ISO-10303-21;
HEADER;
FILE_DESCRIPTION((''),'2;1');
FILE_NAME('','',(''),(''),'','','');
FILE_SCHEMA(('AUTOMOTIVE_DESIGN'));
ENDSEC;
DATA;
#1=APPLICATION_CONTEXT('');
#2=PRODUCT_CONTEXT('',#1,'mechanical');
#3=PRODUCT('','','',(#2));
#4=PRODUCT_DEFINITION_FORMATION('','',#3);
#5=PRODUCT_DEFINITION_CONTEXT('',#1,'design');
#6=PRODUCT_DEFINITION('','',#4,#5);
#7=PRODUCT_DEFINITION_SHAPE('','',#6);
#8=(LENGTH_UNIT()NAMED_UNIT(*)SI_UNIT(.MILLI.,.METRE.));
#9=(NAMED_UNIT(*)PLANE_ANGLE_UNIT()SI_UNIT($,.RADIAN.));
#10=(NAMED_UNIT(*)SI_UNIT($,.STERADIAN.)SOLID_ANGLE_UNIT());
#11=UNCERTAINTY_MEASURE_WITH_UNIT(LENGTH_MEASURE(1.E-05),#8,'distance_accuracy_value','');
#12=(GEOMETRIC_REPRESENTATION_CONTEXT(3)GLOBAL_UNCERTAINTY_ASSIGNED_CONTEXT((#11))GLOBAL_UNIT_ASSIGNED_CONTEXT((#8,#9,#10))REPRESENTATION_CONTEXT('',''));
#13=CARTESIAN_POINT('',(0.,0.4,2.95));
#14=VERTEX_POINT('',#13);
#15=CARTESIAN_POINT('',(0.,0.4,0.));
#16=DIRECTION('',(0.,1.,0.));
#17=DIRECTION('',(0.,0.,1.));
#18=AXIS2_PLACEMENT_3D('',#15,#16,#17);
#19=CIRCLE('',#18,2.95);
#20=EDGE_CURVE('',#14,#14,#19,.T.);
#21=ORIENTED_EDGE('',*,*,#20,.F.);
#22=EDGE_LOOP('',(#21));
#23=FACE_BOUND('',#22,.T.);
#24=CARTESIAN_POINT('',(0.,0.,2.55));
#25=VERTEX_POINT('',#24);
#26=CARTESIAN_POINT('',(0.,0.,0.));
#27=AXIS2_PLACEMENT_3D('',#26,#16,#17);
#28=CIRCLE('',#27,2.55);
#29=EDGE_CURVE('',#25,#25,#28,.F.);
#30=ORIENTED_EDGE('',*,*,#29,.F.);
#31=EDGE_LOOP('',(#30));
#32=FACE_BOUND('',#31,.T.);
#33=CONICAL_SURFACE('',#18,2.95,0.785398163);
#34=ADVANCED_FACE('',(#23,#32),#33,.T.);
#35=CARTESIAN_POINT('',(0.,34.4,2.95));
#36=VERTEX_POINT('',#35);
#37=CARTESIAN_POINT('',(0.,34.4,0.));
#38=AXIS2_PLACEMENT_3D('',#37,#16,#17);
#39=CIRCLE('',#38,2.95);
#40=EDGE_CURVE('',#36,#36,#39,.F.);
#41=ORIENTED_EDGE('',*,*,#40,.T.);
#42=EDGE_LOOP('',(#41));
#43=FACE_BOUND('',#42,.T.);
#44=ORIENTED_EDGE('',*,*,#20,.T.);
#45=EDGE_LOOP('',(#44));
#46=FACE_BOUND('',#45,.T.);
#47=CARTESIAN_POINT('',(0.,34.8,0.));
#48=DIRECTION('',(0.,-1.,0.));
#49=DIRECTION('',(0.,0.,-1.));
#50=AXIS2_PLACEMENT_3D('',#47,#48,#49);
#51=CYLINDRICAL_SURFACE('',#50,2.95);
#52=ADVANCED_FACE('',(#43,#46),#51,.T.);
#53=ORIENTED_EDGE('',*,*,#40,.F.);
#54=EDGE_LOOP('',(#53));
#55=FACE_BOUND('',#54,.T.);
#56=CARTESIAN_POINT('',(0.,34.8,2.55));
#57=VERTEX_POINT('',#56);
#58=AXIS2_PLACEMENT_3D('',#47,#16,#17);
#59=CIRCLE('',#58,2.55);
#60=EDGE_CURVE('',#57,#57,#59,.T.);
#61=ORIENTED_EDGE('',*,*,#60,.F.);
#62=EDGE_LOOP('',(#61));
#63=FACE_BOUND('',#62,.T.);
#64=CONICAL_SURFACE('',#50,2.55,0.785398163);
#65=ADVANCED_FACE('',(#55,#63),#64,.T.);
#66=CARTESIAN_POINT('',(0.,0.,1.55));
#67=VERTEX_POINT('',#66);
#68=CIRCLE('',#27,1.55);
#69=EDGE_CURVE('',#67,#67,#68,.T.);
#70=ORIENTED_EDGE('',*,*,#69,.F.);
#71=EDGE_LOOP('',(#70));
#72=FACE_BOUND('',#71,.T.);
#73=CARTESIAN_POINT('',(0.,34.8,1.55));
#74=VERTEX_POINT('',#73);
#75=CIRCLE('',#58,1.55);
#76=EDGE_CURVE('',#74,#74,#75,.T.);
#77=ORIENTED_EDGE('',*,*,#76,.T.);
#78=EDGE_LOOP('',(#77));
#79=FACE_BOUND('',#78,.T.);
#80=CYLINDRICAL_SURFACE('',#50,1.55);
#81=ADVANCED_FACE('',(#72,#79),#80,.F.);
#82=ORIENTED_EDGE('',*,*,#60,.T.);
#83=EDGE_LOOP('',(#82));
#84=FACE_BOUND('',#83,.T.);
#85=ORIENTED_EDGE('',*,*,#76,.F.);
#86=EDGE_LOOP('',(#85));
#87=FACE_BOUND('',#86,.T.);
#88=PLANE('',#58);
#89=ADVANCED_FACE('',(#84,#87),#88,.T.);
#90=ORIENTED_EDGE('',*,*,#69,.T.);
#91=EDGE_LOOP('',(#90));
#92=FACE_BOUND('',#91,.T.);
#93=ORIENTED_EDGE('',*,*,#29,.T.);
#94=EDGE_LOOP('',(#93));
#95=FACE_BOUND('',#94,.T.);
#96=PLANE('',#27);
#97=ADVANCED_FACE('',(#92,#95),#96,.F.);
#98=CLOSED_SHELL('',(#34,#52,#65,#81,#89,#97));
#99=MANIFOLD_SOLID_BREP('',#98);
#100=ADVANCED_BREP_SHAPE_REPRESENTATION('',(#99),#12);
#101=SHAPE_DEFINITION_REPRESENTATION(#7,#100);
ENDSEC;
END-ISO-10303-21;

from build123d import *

# Parameters (mm, degrees)
SKETCH2_R           = 2.95
SKETCH2_R_2         = 1.55
BOSS_EXTRUDE1_DEPTH = 34.8
CHAMFER3_SIZE       = 0.4
CHAMFER4_SIZE       = 0.4


with BuildPart() as part:
    # Sketch2 → Boss-Extrude1 (new body)
    with BuildSketch(Plane(origin=(0, 0, 0), x_dir=(1, 0, 0), z_dir=(0, 1, 0))):
        with Locations(Location((0, 0, 0), (0, 0, 270))):
            Circle(SKETCH2_R)
        with Locations(Location((0, 0, 0), (0, 0, 270))):
            Circle(SKETCH2_R_2, mode=Mode.SUBTRACT)
    extrude(amount=BOSS_EXTRUDE1_DEPTH)

    # Chamfer3
    chamfer3_edges = [part.edges().sort_by_distance(p)[0] for p in [
        (0, 0, -2.95),
    ]]
    chamfer(chamfer3_edges, length=CHAMFER3_SIZE)

    # Chamfer4
    chamfer4_edges = [part.edges().sort_by_distance(p)[0] for p in [
        (0, 34.8, -2.95),
    ]]
    chamfer(chamfer4_edges, length=CHAMFER4_SIZE)


solid = part.part
